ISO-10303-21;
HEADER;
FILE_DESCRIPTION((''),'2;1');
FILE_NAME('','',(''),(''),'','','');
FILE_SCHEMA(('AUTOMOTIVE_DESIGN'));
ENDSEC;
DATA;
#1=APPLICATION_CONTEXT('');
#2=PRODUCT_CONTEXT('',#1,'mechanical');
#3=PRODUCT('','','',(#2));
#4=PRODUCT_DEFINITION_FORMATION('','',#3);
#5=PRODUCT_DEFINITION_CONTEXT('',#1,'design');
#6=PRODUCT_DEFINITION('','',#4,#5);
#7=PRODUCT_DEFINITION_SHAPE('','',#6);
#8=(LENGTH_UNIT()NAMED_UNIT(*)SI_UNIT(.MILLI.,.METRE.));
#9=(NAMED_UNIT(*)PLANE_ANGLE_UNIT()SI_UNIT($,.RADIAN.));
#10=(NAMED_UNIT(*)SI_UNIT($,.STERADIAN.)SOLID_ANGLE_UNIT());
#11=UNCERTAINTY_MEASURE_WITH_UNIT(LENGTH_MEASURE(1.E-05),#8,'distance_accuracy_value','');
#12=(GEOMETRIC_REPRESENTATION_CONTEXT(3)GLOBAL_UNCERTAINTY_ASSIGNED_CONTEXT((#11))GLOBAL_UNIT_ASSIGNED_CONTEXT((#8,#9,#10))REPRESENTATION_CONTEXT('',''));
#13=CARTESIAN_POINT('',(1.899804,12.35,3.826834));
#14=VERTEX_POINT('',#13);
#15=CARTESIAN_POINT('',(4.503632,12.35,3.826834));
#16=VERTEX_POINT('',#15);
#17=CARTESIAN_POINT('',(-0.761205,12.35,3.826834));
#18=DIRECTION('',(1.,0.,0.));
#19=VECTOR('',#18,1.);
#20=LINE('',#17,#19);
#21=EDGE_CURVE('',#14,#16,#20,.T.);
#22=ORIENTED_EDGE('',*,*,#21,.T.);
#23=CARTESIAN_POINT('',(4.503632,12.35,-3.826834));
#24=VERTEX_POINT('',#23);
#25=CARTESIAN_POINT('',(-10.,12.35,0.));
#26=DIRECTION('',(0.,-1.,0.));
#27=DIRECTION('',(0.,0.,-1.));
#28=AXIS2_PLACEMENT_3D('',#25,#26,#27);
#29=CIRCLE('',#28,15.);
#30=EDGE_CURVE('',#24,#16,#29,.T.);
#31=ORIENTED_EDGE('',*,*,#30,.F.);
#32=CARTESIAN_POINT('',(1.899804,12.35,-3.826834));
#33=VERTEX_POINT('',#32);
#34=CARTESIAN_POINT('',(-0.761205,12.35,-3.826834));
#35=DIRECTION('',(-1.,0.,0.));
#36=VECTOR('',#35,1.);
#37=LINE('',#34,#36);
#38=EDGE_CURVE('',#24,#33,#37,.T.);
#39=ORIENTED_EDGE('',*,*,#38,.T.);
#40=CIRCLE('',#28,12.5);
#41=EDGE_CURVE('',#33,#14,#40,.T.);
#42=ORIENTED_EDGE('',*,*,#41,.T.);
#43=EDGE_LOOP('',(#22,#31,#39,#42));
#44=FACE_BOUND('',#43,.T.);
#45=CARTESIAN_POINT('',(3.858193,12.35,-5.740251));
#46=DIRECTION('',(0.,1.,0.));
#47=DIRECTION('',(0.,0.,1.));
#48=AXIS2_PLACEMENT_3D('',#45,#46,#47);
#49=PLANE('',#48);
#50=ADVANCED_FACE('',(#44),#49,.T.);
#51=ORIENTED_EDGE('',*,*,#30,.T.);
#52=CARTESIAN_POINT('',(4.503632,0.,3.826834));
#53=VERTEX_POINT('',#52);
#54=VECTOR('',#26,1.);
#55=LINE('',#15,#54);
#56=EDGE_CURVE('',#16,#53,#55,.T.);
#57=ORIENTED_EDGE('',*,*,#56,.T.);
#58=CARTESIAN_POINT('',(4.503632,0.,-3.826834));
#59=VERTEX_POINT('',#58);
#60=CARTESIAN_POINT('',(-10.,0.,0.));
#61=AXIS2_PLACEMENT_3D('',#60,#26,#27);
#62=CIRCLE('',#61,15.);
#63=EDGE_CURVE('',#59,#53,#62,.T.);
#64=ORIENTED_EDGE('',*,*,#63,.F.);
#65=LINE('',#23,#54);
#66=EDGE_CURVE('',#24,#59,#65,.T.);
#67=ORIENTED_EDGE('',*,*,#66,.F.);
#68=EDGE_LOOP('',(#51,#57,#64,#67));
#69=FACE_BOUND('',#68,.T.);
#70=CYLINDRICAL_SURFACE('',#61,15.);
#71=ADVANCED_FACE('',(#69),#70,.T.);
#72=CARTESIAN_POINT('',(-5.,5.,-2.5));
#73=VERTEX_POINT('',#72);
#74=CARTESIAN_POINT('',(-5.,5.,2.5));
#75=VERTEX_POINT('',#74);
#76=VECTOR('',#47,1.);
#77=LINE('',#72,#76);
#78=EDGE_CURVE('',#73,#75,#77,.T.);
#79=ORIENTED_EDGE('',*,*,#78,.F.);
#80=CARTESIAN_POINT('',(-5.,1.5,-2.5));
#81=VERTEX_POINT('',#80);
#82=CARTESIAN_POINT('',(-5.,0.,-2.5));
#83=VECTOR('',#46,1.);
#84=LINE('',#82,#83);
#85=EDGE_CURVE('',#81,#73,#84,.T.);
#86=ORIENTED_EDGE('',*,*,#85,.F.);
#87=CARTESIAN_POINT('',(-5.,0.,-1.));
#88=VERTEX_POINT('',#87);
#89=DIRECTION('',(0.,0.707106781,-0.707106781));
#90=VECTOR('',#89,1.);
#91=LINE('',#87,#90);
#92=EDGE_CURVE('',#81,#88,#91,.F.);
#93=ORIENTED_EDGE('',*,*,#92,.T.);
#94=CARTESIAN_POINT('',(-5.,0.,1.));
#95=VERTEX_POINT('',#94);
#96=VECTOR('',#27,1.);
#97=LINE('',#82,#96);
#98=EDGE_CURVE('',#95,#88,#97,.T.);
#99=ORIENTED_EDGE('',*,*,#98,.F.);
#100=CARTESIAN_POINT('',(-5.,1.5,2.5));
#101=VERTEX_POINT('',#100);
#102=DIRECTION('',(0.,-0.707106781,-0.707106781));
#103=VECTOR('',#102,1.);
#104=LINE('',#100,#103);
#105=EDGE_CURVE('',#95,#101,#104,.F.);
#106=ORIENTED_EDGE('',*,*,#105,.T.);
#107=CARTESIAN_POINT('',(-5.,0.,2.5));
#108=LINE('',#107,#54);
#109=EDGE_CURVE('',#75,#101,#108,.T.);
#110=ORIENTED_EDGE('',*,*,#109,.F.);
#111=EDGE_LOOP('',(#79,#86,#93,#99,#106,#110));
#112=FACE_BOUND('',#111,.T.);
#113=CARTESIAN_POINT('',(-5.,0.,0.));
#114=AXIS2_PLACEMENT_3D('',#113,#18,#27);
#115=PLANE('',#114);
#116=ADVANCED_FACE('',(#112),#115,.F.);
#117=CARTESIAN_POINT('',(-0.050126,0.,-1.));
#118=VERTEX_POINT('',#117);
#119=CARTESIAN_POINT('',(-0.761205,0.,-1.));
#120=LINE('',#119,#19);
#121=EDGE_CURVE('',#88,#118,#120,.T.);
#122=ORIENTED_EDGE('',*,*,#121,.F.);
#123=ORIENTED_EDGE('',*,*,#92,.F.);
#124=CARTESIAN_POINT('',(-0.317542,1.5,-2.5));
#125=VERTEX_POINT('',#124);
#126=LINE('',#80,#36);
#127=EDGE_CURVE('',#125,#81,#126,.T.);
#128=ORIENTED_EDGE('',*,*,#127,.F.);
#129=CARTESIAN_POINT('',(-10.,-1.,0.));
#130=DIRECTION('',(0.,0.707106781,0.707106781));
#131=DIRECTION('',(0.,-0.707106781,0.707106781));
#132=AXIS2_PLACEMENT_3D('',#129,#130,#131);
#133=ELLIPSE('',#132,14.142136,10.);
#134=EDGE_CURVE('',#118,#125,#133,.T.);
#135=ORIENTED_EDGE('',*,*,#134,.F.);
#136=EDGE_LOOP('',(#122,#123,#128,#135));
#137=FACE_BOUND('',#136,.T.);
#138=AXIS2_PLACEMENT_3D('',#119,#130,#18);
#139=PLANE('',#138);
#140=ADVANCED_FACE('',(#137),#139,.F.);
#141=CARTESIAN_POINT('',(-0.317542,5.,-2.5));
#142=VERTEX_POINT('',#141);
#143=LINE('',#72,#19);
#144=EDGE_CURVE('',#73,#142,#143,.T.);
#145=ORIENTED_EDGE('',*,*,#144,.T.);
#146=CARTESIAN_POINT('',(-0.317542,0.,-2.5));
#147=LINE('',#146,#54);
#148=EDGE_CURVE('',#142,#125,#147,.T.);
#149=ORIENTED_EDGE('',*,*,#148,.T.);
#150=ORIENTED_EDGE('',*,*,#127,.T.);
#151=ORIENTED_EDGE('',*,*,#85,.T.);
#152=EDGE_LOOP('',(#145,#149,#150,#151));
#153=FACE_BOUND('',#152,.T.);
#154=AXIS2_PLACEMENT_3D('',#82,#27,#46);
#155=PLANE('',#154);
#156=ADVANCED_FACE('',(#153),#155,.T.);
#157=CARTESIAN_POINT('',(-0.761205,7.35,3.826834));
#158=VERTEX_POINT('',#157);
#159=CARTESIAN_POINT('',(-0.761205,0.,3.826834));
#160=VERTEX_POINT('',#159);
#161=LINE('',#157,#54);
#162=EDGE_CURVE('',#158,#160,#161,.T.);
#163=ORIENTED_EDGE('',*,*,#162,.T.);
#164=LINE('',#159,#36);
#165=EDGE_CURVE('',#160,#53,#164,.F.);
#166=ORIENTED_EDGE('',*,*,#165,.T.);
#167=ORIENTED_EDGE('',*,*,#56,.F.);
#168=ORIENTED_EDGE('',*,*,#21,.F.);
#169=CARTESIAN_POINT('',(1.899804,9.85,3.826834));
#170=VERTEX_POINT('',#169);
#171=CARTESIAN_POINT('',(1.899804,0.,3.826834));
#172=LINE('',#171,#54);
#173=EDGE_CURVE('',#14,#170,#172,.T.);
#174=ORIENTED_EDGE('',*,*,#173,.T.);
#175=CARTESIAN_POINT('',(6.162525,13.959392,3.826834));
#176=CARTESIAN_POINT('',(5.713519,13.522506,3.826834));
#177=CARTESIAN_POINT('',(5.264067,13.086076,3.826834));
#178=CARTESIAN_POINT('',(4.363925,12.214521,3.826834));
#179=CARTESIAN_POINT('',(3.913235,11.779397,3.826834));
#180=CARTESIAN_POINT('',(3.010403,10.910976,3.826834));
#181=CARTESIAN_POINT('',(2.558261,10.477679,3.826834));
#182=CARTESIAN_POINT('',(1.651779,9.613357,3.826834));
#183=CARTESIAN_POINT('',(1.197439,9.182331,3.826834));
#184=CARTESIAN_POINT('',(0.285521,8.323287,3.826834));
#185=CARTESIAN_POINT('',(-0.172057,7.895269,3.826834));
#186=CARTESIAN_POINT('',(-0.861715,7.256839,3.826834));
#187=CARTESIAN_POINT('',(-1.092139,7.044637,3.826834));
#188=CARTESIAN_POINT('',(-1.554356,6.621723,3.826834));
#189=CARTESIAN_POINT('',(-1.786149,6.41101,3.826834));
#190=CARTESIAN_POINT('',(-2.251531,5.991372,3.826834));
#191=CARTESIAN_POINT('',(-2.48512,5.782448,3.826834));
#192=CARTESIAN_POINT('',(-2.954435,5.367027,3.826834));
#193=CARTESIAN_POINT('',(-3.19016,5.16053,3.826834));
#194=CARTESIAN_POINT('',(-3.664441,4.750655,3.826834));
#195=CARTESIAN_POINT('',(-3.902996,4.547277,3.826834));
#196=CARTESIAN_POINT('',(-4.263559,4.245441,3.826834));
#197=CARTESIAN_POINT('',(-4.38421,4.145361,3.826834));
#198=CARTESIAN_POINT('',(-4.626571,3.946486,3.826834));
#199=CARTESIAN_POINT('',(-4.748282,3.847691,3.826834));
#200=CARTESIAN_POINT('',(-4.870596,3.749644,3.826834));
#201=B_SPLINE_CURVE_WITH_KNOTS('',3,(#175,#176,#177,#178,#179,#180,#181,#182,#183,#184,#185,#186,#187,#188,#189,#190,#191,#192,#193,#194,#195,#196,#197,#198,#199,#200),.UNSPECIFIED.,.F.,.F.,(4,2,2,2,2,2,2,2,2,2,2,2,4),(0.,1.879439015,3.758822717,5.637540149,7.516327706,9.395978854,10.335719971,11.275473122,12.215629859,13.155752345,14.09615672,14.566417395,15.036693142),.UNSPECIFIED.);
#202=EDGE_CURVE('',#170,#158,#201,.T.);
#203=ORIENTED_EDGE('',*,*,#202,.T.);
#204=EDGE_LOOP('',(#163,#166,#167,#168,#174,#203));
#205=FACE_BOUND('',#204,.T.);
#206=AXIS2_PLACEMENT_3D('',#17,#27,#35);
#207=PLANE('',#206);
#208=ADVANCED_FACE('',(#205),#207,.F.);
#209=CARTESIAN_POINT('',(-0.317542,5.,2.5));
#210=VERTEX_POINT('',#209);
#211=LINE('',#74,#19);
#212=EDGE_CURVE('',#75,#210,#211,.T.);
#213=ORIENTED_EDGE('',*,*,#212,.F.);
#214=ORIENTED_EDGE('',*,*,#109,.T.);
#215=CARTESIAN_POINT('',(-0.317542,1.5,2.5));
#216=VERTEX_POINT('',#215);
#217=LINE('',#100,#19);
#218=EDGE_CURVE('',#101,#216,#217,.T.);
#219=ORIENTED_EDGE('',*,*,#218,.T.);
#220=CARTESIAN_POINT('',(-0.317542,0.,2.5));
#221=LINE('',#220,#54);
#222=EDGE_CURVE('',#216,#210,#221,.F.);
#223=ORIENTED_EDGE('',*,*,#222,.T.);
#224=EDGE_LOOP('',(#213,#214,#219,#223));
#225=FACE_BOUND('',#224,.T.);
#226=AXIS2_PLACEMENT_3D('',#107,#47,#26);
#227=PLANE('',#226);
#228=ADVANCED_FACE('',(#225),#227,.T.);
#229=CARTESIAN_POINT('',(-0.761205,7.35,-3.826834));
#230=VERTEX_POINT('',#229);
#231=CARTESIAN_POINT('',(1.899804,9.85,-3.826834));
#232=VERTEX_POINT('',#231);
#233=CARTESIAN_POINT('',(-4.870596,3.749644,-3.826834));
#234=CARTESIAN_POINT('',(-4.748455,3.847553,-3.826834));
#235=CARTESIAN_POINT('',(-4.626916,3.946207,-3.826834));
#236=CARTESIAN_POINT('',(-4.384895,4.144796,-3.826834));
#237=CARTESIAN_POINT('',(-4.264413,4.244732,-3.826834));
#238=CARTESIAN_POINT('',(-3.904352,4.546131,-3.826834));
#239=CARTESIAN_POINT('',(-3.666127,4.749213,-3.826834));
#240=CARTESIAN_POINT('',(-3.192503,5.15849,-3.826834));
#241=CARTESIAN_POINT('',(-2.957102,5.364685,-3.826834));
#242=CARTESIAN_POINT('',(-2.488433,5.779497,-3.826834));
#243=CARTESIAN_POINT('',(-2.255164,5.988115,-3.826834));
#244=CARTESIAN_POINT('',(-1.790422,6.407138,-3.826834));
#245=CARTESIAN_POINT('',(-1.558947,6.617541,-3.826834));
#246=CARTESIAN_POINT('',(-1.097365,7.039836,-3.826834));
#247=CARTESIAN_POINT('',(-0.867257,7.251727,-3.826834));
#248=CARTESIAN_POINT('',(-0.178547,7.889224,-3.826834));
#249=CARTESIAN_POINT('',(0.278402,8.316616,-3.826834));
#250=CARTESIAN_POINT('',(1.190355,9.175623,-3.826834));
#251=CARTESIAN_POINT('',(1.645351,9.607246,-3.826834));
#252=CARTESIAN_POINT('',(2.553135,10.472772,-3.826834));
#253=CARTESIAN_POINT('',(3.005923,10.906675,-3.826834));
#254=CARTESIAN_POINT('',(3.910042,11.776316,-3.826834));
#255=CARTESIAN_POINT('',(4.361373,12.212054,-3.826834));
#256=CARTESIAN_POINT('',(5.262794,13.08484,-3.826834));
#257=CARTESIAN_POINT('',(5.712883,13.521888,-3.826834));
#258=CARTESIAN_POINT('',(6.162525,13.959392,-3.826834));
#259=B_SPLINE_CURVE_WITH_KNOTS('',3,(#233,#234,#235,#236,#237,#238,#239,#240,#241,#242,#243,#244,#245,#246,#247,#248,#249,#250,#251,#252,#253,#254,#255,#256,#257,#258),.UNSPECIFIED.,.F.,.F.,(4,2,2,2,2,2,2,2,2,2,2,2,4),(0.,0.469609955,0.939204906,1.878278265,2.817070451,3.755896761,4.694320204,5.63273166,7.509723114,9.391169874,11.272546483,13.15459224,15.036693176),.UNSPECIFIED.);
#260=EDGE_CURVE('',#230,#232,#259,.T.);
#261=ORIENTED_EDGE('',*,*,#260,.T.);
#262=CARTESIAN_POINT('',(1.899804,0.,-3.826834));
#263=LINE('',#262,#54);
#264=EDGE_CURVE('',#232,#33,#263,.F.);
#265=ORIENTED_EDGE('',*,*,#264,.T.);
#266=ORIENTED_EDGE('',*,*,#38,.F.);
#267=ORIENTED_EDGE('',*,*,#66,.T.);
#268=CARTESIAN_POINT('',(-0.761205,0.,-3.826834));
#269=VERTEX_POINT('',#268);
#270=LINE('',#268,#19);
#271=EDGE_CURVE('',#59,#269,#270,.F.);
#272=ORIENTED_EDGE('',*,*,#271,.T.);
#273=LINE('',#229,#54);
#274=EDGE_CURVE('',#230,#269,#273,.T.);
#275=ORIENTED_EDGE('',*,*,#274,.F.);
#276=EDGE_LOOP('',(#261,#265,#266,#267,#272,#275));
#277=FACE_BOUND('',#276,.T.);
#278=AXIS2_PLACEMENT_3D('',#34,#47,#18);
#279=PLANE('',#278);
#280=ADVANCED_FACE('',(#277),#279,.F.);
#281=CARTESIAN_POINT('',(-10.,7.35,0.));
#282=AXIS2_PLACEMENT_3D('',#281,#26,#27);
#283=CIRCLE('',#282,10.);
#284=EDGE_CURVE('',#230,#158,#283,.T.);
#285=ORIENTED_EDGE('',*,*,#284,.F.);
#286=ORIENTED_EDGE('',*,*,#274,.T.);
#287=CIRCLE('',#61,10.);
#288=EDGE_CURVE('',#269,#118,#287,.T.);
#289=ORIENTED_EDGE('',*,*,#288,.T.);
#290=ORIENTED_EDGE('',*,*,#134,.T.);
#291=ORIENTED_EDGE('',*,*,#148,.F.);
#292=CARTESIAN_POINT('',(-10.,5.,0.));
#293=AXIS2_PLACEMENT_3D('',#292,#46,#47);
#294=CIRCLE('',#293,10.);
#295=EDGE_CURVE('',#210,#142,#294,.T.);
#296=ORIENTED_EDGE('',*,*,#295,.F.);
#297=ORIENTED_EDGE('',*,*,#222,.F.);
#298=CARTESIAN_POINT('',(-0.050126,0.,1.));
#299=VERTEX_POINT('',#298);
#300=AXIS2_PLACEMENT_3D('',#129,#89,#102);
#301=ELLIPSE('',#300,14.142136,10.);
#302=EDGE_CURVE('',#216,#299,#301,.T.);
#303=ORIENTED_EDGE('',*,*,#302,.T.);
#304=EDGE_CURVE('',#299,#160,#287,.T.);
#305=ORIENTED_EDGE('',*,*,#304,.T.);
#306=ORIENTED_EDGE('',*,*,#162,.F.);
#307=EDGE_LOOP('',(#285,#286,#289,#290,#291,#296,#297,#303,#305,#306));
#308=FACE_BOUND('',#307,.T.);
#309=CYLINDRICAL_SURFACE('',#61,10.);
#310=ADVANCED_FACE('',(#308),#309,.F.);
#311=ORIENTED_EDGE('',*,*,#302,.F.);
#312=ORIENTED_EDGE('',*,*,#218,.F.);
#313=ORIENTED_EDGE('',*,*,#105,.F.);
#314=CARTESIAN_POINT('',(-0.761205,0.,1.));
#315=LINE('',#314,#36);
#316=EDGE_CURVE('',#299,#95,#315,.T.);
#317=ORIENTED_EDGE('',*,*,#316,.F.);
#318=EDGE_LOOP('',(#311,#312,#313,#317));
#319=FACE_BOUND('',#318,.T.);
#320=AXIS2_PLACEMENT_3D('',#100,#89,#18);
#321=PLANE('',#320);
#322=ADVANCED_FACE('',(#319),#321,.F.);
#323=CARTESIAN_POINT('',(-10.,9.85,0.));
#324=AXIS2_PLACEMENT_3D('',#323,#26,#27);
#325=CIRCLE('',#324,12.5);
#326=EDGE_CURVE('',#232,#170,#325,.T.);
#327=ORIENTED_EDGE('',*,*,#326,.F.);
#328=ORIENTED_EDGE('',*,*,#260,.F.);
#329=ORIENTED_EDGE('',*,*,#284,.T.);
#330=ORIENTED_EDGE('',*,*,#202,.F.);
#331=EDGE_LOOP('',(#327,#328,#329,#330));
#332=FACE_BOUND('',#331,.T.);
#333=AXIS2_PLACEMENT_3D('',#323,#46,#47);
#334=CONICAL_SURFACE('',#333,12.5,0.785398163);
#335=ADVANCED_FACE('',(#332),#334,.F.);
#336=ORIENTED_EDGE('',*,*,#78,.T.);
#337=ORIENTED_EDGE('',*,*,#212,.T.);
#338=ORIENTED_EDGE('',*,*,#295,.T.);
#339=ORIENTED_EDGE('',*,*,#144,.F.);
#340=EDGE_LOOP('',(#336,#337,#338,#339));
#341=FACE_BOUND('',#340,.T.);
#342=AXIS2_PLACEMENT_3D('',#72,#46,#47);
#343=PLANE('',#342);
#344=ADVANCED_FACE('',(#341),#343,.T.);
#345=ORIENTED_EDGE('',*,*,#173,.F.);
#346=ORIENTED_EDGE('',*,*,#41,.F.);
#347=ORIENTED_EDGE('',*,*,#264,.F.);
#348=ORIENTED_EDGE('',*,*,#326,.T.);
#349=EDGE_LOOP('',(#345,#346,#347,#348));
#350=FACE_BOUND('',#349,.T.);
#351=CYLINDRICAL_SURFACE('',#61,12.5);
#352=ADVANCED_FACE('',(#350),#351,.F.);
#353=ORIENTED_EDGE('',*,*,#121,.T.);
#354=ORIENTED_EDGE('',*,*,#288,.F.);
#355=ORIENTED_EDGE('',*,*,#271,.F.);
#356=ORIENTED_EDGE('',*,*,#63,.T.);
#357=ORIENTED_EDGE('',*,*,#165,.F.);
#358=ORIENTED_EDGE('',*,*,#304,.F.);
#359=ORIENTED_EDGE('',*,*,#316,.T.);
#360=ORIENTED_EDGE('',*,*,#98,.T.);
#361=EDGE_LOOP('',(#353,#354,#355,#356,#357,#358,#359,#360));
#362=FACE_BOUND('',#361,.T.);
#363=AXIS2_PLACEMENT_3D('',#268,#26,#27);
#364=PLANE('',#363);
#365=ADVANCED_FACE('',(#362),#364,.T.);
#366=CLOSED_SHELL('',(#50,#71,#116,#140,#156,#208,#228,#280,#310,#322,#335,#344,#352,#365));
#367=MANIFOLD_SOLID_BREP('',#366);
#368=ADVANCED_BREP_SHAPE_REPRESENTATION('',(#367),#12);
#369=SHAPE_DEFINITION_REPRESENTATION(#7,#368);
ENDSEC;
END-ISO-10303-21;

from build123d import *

# Parameters (mm, degrees)
REVOLVE1_ANGLE          = 45
SKETCH3_W               = 5
SKETCH3_H               = 5
BOSS_EXTRUDE2_DEPTH     = 5
CHAMFER2_SIZE           = 1.5
CUT_EXTRUDE1_DEPTH      = 1
CUT_EXTRUDE1_DEPTH_BACK = 13.35


with BuildPart() as part:
    # Sketch2 → Revolve1 (revolve, symmetric)
    with BuildSketch(Plane.XY) as revolve1_sk:
        Polygon((0, 0), (5, 0), (5, 12.35), (2.5, 12.35), (2.5, 9.85), (0, 7.35), align=None)
    revolve(axis=Axis((-10, 0, 0), (0, 1, 0)), revolution_arc=REVOLVE1_ANGLE / 2)
    revolve(revolve1_sk.sketch, axis=Axis((-10, 0, 0), (0, -1, 0)), revolution_arc=REVOLVE1_ANGLE / 2)

    # Sketch3 → Boss-Extrude2 (add)
    with BuildSketch(Plane(origin=(0, 0, 0), x_dir=(0, 0, -1), z_dir=(1, 0, 0))):
        with Locations((0, 2.5)):
            Rectangle(SKETCH3_W, SKETCH3_H)
    extrude(amount=-BOSS_EXTRUDE2_DEPTH)

    # Chamfer2
    chamfer2_edges = [part.edges().sort_by_distance(p)[0] for p in [
        (-2.658770817, 0, -2.5),
        (-2.658770817, 0, 2.5),
    ]]
    chamfer(chamfer2_edges, length=CHAMFER2_SIZE)

    # Sketch4 → Cut-Extrude1 (cut, two sides)
    with BuildSketch(Plane.XZ) as cut_extrude1_sk:
        with BuildLine():
            Line((-0.761204675, 3.826834324), (4.503631926, 3.826834324))
            ThreePointArc((4.503631926, 3.826834324), (4.213147766, 4.794416604), (3.858192988, 5.740251485))
            Line((3.858192988, 5.740251485), (-0.761204675, 3.826834324))
        make_face()
        with BuildLine():
            Line((-0.761204675, -3.826834324), (4.503631926, -3.826834324))
            ThreePointArc((4.503631926, -3.826834324), (4.213147766, -4.794416604), (3.858192988, -5.740251485))
            Line((3.858192988, -5.740251485), (-0.761204675, -3.826834324))
        make_face()
    extrude(amount=CUT_EXTRUDE1_DEPTH, mode=Mode.SUBTRACT)
    extrude(cut_extrude1_sk.sketch, amount=-CUT_EXTRUDE1_DEPTH_BACK, mode=Mode.SUBTRACT)


solid = part.part
